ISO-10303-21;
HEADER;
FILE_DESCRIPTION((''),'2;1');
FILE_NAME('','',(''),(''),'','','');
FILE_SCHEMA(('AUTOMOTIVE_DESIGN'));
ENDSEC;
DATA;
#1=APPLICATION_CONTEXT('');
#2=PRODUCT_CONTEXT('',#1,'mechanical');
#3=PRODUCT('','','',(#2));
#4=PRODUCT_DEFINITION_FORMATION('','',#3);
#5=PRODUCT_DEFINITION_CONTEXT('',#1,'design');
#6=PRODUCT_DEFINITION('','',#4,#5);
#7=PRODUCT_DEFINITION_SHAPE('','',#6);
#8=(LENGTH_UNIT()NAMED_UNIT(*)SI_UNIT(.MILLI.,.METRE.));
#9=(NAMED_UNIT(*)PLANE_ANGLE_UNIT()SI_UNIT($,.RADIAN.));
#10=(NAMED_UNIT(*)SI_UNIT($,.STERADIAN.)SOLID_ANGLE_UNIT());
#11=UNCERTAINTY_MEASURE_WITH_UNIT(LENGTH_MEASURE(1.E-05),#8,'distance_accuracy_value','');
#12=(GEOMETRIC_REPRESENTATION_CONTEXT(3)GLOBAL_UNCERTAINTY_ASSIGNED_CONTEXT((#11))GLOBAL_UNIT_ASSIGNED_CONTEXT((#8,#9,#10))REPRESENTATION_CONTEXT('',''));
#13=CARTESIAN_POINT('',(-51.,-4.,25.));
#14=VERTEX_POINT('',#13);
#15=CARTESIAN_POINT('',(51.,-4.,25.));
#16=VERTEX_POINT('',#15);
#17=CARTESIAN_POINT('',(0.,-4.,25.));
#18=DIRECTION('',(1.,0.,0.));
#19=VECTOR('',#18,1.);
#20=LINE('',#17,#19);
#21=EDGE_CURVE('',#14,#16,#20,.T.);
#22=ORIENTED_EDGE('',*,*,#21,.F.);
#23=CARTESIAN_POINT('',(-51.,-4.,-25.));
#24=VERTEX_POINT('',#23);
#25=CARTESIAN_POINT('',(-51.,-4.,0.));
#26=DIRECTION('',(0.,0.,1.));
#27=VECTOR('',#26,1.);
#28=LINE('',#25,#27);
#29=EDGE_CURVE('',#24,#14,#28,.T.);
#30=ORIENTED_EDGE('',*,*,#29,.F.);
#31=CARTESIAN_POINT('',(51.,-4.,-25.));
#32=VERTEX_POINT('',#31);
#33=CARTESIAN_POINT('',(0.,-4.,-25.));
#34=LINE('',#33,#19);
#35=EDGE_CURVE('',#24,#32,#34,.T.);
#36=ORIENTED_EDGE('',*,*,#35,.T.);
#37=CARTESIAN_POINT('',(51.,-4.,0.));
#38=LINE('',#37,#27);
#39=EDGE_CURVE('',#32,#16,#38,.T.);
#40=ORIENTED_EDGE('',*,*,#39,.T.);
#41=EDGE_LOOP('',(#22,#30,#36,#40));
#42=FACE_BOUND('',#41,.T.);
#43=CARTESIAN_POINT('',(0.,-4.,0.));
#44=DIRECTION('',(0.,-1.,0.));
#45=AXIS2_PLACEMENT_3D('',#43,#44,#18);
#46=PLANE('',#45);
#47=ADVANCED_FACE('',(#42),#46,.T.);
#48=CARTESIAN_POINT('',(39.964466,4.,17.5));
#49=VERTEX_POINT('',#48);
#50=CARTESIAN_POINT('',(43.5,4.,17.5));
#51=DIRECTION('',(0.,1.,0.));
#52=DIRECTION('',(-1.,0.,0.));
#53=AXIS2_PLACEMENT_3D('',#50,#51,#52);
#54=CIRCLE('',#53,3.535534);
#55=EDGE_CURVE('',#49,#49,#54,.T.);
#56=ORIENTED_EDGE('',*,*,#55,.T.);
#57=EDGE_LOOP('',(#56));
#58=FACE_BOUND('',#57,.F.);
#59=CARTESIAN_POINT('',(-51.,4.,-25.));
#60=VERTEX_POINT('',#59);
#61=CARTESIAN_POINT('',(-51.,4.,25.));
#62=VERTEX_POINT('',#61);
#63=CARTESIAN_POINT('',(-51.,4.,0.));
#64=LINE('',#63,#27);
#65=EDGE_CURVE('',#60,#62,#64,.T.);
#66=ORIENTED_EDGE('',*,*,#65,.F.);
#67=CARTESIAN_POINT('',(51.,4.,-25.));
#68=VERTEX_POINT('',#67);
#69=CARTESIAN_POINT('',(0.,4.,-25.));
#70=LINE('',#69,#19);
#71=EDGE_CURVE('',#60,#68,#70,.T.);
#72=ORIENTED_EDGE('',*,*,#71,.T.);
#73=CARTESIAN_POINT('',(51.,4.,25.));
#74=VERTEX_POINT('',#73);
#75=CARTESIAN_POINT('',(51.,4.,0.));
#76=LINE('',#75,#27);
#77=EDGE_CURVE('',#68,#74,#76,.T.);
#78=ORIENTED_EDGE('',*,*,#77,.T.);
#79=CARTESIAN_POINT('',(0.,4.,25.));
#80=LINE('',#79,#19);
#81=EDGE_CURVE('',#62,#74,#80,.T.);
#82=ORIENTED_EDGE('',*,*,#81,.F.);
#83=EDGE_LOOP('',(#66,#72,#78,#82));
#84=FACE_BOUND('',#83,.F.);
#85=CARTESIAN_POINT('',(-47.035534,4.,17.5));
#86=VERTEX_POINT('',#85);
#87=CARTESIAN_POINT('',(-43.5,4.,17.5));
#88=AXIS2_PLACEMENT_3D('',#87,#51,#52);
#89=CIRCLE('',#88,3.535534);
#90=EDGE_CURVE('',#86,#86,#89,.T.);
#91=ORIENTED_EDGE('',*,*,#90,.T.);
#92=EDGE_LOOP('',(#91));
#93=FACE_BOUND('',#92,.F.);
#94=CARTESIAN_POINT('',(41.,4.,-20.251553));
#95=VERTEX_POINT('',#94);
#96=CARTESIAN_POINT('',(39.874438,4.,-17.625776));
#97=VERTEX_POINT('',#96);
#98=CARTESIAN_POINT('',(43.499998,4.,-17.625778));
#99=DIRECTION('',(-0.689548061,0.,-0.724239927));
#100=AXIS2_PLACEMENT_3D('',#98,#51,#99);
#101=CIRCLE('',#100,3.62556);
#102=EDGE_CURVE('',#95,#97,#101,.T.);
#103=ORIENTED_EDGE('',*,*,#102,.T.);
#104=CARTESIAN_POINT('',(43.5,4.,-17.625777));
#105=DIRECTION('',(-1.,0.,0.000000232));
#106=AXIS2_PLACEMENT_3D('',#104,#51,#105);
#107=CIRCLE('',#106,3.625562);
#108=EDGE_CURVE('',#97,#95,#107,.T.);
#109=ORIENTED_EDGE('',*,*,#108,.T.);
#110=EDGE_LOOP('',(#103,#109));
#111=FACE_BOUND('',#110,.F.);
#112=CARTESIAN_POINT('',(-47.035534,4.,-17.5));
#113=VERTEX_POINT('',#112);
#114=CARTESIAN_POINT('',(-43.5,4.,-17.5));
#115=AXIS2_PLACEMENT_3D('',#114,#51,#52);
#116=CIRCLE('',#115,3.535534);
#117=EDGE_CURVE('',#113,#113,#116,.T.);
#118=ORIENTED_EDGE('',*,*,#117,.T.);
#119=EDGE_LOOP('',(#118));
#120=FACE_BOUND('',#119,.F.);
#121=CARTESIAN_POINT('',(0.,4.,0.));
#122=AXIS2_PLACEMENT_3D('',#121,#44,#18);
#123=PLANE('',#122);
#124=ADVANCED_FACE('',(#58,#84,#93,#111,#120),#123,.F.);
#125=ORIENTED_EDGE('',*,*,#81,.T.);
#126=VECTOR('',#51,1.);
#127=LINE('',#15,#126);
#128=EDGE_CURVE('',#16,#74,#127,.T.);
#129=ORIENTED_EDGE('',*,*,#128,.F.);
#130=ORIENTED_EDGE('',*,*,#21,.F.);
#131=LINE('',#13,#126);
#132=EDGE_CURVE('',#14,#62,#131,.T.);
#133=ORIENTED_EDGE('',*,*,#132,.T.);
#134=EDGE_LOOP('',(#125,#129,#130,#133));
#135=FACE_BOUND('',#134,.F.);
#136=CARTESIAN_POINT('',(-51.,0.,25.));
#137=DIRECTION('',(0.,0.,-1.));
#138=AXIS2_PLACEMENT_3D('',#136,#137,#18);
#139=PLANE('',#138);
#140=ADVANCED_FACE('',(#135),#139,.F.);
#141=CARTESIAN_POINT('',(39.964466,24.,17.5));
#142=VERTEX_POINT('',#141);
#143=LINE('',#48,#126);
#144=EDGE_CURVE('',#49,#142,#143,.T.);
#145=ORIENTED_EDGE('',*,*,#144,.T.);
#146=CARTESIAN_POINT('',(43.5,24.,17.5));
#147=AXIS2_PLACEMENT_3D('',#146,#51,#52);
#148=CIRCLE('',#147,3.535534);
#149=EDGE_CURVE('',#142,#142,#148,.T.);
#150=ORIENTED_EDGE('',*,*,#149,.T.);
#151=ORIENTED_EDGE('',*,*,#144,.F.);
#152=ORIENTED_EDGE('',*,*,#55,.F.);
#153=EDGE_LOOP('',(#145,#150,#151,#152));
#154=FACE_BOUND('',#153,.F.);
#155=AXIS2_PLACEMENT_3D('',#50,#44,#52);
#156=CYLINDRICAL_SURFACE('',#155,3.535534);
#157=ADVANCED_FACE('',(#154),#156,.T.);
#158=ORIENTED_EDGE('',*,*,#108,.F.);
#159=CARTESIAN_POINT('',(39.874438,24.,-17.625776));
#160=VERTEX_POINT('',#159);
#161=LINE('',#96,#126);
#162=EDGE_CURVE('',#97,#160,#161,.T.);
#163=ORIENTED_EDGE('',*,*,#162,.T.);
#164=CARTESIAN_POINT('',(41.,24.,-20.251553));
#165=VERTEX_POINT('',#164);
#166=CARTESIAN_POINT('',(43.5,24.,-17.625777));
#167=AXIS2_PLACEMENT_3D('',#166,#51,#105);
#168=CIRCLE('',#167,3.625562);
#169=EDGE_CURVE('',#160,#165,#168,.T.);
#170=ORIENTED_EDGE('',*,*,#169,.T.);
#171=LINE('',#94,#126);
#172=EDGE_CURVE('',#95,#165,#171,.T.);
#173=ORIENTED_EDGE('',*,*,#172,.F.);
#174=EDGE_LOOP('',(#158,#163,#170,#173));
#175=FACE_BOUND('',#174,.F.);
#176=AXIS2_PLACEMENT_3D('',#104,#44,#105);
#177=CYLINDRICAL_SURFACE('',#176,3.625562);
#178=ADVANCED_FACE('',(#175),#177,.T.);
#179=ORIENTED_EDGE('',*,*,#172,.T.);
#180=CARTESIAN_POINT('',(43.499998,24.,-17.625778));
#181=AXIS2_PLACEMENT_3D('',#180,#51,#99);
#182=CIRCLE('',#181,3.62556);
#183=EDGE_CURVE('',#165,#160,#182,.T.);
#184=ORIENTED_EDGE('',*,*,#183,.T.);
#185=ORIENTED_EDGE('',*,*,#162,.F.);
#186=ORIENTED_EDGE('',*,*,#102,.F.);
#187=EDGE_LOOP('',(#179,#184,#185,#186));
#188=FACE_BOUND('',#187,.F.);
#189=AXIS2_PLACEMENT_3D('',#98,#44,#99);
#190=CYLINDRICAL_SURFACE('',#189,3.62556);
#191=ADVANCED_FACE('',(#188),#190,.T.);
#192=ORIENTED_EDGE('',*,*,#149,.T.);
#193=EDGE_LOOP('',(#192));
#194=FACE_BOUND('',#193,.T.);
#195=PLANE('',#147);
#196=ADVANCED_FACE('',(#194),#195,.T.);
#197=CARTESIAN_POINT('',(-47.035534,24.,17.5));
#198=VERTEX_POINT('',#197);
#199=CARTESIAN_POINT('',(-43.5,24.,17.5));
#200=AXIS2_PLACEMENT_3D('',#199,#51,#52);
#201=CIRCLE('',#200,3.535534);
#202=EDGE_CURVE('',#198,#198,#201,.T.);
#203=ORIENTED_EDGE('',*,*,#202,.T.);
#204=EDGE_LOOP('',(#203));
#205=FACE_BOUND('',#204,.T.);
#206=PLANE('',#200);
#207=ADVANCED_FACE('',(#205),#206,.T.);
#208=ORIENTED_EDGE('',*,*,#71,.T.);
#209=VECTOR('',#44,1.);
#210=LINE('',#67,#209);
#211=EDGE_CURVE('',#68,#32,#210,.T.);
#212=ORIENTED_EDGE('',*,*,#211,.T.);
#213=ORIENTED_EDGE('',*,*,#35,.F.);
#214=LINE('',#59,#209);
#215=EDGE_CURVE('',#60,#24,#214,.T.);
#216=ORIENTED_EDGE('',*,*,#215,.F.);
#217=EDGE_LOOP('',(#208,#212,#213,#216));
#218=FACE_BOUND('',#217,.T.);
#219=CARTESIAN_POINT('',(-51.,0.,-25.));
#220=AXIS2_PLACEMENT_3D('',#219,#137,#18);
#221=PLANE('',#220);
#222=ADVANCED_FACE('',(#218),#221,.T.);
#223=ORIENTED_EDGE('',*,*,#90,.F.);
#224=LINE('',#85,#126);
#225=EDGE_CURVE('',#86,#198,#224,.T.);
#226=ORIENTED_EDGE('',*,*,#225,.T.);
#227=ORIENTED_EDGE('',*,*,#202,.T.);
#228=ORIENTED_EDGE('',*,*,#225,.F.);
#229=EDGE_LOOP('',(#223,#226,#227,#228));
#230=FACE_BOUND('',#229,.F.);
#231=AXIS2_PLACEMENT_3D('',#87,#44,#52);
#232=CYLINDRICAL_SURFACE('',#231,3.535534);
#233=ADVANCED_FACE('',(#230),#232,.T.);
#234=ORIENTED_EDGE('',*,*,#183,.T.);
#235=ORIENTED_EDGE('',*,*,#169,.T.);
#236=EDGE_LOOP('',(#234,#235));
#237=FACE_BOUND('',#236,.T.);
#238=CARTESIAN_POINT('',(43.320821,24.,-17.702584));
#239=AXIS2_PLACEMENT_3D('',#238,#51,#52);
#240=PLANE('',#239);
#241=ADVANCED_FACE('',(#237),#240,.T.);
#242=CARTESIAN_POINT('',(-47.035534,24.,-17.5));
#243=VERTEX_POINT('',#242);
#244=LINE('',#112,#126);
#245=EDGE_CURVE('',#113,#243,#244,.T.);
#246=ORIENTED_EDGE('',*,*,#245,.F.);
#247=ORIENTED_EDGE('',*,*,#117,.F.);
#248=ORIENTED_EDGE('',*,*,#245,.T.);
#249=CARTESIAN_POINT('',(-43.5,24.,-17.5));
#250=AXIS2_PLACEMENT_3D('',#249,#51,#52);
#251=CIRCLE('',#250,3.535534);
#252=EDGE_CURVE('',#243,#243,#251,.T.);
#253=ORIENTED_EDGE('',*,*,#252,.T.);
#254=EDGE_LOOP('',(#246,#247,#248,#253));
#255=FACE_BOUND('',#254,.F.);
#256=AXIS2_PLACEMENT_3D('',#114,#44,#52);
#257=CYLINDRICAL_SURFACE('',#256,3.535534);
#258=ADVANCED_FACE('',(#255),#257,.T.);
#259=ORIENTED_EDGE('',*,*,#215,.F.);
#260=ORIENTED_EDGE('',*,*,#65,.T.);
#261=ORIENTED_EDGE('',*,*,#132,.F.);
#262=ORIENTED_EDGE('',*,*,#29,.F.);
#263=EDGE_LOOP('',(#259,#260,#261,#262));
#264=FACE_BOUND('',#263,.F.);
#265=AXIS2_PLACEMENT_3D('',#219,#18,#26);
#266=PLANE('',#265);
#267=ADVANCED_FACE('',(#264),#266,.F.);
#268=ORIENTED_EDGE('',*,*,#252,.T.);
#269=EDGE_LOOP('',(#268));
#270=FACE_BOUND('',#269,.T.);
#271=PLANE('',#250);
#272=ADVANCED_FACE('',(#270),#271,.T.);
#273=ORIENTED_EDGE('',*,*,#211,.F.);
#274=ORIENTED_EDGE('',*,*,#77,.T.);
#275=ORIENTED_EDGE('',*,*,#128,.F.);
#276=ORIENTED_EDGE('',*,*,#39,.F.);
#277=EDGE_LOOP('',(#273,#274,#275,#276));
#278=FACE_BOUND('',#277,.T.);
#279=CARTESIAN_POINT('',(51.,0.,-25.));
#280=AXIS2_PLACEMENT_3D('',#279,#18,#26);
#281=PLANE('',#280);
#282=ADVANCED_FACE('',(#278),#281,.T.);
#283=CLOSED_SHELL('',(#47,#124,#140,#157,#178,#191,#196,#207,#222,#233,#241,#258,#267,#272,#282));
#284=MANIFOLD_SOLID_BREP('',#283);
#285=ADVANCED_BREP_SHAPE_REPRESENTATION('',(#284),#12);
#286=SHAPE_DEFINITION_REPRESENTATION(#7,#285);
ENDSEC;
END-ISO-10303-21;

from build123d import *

# Parameters (mm, degrees)
F0_W     = 102
F0_H     = 50
F1_DEPTH = 4
F2_R     = 3.535534
F3_DEPTH = 20


with BuildPart() as f1:
    # F0 (on Front) → F1 (new body, symmetric)
    with BuildSketch(Plane.XZ):
        Rectangle(F0_W, F0_H)
    extrude(amount=F1_DEPTH, both=True)

    # F2 (on face) → F3 (join)
    with BuildSketch(Plane(origin=(0, 4, 0), x_dir=(-1, 0, 0), z_dir=(0, 1, 0))):
        with BuildLine():
            ThreePointArc((-41, -20.251553), (-40.167688, -19.054202), (-39.874438, -17.625776))
            ThreePointArc((-39.874438, -17.625776), (-46.832312, -16.197351), (-41, -20.251553))
        make_face()
        with Locations((-43.5, 17.5)):
            Circle(F2_R)
        with Locations((43.5, -17.5)):
            Circle(F2_R)
        with Locations((43.5, 17.5)):
            Circle(F2_R)
    extrude(amount=F3_DEPTH)


solid = f1.part
